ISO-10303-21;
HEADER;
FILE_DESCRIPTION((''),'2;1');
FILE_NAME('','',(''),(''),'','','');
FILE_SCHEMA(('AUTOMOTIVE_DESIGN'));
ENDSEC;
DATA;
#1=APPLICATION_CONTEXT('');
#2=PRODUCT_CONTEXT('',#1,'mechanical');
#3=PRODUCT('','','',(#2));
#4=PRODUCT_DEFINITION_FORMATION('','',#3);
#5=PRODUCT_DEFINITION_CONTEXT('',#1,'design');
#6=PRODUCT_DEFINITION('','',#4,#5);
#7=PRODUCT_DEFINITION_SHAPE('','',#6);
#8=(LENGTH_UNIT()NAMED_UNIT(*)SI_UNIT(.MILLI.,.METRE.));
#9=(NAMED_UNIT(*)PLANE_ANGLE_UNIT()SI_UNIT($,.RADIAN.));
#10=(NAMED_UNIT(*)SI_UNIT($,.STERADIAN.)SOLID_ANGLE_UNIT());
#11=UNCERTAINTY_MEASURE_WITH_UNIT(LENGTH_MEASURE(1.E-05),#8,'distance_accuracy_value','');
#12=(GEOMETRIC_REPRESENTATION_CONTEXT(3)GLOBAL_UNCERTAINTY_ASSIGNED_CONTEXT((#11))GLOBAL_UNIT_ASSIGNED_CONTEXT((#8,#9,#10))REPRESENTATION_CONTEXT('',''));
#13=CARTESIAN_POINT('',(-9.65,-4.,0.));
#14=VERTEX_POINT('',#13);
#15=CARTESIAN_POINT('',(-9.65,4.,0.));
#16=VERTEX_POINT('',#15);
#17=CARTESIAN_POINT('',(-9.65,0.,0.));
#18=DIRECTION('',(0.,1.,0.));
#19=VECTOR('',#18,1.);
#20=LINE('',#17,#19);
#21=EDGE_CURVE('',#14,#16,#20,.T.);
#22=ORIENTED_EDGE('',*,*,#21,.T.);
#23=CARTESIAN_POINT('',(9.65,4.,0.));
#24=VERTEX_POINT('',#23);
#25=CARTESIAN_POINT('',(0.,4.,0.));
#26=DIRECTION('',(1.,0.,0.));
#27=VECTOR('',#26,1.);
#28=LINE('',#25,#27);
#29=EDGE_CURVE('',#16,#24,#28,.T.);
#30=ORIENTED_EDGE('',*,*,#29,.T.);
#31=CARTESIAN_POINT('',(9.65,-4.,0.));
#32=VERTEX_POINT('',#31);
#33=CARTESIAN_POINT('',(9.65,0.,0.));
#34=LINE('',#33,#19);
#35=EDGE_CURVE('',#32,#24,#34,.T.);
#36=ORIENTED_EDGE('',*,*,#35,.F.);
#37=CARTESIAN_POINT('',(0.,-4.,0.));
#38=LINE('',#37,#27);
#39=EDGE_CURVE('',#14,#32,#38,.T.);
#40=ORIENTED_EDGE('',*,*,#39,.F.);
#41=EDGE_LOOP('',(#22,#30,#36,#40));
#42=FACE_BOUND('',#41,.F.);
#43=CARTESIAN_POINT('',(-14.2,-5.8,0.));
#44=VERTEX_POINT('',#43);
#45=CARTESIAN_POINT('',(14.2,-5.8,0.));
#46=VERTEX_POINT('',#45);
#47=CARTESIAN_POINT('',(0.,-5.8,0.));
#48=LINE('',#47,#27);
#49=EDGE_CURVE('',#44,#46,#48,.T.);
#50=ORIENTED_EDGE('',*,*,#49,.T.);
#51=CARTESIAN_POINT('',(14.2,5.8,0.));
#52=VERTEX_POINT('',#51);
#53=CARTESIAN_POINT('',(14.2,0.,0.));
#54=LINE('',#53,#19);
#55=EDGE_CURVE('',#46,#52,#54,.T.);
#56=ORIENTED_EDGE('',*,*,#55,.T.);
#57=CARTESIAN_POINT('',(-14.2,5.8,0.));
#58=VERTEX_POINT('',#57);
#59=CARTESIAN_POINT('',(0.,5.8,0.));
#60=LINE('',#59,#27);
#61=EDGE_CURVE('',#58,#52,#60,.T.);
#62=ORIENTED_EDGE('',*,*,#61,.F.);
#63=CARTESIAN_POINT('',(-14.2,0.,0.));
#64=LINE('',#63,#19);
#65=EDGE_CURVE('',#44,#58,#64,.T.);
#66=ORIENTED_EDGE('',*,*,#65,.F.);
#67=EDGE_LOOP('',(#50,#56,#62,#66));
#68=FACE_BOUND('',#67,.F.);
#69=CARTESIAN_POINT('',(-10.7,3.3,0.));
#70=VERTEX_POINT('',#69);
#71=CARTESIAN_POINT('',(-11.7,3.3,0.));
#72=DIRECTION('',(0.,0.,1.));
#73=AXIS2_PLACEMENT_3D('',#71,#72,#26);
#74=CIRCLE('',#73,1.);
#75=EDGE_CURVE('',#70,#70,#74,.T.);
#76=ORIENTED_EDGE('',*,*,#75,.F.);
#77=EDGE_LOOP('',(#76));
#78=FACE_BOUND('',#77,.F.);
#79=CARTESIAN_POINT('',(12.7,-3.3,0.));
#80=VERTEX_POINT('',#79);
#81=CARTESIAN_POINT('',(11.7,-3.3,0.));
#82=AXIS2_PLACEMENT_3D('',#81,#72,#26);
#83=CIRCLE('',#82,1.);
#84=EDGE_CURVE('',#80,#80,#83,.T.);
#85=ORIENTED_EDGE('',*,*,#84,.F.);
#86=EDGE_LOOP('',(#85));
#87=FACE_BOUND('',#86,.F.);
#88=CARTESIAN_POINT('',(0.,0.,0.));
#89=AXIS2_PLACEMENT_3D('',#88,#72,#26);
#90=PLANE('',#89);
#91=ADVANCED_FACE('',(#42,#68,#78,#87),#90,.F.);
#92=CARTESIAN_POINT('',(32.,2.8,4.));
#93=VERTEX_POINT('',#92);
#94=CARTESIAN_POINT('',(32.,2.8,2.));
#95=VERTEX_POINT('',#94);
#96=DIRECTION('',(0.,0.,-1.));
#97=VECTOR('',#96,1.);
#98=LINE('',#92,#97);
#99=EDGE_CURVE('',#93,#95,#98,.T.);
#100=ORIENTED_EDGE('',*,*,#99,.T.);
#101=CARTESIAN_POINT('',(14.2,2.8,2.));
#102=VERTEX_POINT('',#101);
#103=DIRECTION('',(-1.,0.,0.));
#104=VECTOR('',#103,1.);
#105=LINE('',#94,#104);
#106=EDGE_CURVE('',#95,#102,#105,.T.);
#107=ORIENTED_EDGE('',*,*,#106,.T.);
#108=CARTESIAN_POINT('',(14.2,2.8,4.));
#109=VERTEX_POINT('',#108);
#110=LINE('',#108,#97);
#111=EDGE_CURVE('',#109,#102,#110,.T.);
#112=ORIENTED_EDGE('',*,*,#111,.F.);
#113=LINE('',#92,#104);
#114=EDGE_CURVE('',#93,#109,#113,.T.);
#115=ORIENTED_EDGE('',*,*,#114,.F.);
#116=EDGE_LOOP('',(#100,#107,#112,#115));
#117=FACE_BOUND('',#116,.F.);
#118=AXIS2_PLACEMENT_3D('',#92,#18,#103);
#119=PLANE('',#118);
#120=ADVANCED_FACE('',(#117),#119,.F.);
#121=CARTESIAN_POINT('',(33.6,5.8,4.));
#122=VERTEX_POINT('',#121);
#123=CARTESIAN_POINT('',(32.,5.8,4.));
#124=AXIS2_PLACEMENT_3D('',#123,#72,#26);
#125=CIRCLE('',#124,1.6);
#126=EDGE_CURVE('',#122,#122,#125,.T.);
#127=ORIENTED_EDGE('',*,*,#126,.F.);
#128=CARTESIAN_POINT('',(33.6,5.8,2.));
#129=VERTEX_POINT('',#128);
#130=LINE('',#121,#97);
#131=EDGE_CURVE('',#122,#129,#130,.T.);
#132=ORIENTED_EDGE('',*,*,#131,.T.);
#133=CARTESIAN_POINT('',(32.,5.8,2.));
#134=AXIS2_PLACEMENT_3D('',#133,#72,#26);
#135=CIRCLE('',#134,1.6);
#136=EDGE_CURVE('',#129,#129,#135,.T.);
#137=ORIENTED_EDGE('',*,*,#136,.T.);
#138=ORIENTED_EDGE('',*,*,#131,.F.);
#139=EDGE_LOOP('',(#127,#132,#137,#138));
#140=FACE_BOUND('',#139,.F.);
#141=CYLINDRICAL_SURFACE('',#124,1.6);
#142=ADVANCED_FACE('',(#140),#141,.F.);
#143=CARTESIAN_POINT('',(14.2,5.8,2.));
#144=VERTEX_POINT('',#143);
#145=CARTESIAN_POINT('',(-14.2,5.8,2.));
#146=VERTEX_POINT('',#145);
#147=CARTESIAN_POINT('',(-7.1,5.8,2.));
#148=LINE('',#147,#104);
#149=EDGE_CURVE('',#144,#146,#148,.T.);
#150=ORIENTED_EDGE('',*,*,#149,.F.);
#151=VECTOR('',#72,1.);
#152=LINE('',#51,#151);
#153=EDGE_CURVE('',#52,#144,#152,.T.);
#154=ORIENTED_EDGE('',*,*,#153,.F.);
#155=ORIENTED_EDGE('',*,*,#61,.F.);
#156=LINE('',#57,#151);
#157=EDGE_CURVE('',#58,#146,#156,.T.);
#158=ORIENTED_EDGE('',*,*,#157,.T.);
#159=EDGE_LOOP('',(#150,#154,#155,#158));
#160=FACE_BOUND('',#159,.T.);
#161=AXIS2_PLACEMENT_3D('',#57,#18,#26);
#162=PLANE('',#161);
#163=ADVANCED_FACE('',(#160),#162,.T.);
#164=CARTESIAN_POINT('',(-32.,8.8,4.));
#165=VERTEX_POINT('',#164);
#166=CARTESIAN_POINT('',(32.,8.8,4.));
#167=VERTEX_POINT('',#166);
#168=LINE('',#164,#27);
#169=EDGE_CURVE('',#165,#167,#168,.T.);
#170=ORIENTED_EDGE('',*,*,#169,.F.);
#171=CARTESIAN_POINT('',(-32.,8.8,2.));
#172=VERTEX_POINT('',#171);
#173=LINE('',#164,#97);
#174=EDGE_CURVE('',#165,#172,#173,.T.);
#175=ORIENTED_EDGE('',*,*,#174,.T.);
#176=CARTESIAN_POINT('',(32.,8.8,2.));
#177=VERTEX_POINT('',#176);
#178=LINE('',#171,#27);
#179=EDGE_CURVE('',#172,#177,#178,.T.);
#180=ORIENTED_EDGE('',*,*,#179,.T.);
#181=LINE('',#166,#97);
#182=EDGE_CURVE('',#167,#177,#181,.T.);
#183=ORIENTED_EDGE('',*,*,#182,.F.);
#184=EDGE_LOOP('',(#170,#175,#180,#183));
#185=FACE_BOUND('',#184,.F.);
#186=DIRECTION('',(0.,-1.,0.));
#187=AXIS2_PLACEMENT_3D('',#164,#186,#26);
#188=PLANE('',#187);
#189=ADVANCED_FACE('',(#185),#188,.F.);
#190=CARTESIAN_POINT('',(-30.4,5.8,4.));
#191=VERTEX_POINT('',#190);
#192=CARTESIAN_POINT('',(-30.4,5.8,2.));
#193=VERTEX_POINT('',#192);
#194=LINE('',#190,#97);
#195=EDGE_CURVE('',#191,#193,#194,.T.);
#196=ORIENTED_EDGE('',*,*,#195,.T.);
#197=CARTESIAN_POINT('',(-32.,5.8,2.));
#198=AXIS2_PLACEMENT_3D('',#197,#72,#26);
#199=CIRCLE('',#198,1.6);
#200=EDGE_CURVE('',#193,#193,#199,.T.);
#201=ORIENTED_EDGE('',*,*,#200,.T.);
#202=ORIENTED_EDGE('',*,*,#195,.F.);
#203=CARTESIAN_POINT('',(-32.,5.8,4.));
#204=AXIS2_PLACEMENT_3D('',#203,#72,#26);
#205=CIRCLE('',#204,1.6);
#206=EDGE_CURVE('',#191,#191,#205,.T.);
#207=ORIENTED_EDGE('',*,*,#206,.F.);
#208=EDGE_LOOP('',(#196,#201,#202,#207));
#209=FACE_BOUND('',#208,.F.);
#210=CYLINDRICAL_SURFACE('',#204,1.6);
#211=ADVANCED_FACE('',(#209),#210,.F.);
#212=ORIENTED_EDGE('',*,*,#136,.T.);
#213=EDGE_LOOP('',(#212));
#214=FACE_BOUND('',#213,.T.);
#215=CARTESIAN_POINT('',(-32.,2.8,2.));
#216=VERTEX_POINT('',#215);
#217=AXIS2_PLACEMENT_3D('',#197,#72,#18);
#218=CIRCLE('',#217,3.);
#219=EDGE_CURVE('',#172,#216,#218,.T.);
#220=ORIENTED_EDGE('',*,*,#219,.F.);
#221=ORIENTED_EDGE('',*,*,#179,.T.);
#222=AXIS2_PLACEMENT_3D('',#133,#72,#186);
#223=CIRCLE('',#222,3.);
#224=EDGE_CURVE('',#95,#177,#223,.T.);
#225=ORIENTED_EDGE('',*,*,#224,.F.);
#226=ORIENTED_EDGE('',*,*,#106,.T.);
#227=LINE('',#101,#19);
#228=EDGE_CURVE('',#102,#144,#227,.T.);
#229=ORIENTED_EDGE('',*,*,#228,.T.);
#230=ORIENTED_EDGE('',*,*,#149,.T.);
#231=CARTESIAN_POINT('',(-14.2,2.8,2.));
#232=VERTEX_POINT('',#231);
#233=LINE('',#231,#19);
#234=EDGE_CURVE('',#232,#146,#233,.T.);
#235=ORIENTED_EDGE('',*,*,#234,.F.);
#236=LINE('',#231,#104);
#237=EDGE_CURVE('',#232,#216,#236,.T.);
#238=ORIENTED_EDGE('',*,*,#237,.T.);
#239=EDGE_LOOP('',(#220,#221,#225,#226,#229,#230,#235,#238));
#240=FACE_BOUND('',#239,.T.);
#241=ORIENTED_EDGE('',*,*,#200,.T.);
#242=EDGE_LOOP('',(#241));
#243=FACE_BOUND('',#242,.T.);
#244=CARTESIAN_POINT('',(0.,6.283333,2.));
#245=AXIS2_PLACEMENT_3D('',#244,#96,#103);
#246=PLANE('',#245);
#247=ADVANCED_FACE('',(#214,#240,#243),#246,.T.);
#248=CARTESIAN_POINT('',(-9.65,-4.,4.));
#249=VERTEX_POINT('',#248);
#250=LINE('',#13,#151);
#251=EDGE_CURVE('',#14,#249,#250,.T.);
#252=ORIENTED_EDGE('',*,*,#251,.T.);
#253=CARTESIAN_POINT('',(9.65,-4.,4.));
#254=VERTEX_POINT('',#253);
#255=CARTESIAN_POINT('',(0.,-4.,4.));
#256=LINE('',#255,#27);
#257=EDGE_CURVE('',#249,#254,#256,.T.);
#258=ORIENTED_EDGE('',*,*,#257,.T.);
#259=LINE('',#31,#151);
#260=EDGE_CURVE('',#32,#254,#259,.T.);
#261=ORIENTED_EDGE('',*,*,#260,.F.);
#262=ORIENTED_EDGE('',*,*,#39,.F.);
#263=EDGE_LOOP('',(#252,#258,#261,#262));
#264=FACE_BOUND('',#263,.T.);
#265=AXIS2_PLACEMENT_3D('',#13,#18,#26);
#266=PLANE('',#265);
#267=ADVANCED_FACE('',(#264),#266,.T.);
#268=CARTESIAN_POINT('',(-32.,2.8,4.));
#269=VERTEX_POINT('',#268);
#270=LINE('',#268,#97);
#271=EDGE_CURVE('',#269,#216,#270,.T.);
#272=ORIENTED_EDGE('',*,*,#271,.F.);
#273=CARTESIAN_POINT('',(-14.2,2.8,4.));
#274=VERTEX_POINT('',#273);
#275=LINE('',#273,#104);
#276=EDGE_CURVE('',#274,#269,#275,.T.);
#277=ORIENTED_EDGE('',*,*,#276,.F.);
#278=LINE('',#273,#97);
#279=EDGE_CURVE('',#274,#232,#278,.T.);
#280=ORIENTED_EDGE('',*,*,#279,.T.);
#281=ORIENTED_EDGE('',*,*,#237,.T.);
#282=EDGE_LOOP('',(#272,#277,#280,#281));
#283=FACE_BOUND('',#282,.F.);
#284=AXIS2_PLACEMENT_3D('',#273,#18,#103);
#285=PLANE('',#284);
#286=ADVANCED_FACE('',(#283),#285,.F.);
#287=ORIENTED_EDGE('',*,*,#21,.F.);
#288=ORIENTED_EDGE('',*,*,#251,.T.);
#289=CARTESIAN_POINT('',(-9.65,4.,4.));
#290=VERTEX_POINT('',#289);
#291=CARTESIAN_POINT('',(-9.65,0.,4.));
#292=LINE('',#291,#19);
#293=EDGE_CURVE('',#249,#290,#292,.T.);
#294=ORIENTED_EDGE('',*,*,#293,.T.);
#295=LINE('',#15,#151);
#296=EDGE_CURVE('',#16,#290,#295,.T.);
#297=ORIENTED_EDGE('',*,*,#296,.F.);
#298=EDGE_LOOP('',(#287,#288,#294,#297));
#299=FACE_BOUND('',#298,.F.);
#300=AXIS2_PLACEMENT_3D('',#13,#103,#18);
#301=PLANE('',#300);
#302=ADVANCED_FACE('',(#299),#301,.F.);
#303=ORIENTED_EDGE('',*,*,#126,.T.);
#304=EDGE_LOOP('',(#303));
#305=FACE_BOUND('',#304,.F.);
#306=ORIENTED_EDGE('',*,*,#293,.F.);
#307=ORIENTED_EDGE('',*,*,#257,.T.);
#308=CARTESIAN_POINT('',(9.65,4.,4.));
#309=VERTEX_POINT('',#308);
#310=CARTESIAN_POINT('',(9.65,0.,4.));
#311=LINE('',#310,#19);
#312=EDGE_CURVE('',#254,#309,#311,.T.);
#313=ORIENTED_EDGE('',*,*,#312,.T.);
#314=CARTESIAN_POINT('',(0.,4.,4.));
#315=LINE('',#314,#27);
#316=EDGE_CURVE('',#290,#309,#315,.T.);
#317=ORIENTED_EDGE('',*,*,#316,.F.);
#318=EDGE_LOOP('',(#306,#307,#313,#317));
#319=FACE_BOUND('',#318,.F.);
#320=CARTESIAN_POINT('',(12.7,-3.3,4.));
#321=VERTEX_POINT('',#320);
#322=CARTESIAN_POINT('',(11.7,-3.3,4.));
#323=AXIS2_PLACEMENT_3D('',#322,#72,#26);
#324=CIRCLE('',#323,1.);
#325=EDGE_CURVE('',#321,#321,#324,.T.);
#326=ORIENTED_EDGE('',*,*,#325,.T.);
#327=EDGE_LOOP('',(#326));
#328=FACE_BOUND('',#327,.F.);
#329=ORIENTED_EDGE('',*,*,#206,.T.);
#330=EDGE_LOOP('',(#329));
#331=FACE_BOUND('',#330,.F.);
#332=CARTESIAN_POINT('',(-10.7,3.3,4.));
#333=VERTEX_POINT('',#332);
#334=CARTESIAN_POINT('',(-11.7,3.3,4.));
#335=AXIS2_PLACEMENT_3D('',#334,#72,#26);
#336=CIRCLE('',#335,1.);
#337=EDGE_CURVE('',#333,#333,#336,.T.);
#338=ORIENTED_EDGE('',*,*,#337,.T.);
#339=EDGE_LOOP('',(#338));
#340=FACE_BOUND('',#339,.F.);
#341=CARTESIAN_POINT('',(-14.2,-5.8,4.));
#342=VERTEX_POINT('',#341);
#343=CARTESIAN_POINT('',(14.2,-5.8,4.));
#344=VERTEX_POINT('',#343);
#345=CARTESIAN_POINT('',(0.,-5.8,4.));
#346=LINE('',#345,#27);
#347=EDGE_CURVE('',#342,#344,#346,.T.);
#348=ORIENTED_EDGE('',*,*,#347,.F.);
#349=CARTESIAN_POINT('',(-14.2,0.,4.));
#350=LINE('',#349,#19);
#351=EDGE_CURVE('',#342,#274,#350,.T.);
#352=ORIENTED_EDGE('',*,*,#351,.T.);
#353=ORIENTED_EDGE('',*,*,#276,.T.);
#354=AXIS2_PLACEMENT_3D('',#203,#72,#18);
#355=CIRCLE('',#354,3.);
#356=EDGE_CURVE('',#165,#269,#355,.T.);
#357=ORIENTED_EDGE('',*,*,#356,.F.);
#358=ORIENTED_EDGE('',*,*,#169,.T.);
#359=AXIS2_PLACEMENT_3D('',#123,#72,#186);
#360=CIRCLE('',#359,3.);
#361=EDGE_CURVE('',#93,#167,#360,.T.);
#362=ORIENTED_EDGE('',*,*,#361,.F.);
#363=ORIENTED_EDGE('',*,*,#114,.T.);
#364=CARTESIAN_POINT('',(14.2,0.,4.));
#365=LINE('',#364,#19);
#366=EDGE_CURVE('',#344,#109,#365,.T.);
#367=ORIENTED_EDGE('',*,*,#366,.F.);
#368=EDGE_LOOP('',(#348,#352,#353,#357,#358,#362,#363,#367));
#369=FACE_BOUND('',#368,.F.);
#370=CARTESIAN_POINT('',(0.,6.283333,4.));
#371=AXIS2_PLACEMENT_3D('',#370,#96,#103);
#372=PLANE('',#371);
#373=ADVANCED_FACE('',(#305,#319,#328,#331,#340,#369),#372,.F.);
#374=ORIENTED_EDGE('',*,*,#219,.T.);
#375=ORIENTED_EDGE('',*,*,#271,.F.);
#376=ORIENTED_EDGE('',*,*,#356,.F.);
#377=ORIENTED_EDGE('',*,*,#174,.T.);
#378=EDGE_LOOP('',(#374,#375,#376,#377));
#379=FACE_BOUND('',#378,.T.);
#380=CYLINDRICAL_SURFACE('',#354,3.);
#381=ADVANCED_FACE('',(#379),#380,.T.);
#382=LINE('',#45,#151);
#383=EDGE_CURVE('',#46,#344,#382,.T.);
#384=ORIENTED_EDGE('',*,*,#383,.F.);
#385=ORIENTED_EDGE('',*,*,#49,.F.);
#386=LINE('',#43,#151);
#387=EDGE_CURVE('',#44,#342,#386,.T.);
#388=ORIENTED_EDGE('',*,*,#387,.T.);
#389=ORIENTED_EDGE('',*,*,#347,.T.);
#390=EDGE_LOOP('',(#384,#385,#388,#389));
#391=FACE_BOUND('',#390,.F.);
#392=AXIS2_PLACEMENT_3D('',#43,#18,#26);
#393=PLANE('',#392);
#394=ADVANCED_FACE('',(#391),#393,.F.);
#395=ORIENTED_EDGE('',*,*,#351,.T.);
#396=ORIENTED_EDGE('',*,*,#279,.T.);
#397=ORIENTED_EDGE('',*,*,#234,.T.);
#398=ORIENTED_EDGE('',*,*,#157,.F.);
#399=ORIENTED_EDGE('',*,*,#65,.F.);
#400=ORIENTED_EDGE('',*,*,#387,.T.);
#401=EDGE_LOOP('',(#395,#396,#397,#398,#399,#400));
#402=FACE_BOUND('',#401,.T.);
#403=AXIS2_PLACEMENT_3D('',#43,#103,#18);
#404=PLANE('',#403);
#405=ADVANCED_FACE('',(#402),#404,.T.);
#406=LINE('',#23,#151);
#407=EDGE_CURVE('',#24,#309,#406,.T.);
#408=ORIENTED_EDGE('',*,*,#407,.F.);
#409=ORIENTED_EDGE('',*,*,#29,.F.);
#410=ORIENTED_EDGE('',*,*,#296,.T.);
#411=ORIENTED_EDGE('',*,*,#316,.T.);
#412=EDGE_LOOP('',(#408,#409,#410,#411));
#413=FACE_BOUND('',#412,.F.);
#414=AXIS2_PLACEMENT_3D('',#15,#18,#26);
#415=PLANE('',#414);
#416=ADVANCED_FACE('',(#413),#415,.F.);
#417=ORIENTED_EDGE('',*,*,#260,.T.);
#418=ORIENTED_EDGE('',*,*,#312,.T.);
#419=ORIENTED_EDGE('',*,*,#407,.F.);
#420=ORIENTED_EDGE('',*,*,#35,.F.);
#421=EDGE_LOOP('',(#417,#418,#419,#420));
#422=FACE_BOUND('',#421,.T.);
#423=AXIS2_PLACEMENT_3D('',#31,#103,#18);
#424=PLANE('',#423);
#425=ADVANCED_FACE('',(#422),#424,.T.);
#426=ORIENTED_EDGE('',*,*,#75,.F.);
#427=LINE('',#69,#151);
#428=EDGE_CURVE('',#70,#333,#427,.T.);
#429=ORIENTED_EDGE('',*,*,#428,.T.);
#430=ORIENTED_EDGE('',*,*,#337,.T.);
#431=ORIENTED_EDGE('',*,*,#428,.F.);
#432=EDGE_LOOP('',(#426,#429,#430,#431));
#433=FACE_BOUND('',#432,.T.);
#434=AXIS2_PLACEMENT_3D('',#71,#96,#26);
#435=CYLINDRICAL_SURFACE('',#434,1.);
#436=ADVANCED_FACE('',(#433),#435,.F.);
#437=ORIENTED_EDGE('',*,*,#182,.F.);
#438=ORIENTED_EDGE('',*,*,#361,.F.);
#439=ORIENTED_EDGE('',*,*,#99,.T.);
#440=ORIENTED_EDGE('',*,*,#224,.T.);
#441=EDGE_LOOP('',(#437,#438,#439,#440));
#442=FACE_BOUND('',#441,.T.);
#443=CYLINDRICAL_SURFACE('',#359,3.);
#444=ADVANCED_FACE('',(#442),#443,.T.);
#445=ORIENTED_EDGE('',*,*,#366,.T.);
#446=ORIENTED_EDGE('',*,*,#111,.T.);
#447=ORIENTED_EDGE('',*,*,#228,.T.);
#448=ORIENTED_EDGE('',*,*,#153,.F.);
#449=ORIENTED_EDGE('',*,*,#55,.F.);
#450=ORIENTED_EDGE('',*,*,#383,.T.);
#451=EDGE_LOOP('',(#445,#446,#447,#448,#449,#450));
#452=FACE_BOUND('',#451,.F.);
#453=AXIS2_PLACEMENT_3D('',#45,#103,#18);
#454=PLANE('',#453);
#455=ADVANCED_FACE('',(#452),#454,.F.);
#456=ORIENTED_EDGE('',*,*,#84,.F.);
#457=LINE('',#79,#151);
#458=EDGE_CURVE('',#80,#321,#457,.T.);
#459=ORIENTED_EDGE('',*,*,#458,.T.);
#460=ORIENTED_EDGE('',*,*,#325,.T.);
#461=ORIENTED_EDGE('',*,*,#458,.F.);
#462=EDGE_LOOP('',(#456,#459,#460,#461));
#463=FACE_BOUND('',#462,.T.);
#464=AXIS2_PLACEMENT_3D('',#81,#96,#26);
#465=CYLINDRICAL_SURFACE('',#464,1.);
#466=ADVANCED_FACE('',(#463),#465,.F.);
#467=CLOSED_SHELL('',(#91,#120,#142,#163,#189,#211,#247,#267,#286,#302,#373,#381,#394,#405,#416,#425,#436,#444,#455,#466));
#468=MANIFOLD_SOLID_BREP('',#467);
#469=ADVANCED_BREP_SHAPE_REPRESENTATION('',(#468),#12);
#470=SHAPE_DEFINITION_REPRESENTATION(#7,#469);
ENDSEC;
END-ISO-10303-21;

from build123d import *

# Parameters (mm, degrees)
SKETCH_W     = 28.4
SKETCH_H     = 11.6
SKETCH_R     = 1
SKETCH_W_2   = 19.3
SKETCH_H_2   = 8
PAD_DEPTH    = 4
SKETCH001_R  = 1.6
PAD001_DEPTH = 2


with BuildPart() as part:
    # Sketch → Pad (new body)
    with BuildSketch(Plane.XY):
        Rectangle(SKETCH_W, SKETCH_H)
        with Locations((-11.7, 3.3)):
            Circle(SKETCH_R, mode=Mode.SUBTRACT)
        with Locations((11.7, -3.3)):
            Circle(SKETCH_R, mode=Mode.SUBTRACT)
        Rectangle(SKETCH_W_2, SKETCH_H_2, mode=Mode.SUBTRACT)
    extrude(amount=PAD_DEPTH)

    # Sketch001 → Pad001 (new body)
    with BuildSketch(Plane.XY.offset(4)):
        with BuildLine():
            Line((-14.2, 2.8), (-32, 2.8))
            ThreePointArc((-32, 8.8), (-35, 5.8), (-32, 2.8))
            Line((-32, 8.8), (32, 8.8))
            ThreePointArc((32, 2.8), (35, 5.8), (32, 8.8))
            Line((32, 2.8), (14.2, 2.8))
            Line((14.2, 2.8), (14.2, 5.7))
            Line((14.2, 5.7), (-14.2, 5.7))
            Line((-14.2, 5.7), (-14.2, 2.8))
        make_face()
        with Locations((-32, 5.8)):
            Circle(SKETCH001_R, mode=Mode.SUBTRACT)
        with Locations((32, 5.8)):
            Circle(SKETCH001_R, mode=Mode.SUBTRACT)
    extrude(amount=-PAD001_DEPTH)


solid = part.part
